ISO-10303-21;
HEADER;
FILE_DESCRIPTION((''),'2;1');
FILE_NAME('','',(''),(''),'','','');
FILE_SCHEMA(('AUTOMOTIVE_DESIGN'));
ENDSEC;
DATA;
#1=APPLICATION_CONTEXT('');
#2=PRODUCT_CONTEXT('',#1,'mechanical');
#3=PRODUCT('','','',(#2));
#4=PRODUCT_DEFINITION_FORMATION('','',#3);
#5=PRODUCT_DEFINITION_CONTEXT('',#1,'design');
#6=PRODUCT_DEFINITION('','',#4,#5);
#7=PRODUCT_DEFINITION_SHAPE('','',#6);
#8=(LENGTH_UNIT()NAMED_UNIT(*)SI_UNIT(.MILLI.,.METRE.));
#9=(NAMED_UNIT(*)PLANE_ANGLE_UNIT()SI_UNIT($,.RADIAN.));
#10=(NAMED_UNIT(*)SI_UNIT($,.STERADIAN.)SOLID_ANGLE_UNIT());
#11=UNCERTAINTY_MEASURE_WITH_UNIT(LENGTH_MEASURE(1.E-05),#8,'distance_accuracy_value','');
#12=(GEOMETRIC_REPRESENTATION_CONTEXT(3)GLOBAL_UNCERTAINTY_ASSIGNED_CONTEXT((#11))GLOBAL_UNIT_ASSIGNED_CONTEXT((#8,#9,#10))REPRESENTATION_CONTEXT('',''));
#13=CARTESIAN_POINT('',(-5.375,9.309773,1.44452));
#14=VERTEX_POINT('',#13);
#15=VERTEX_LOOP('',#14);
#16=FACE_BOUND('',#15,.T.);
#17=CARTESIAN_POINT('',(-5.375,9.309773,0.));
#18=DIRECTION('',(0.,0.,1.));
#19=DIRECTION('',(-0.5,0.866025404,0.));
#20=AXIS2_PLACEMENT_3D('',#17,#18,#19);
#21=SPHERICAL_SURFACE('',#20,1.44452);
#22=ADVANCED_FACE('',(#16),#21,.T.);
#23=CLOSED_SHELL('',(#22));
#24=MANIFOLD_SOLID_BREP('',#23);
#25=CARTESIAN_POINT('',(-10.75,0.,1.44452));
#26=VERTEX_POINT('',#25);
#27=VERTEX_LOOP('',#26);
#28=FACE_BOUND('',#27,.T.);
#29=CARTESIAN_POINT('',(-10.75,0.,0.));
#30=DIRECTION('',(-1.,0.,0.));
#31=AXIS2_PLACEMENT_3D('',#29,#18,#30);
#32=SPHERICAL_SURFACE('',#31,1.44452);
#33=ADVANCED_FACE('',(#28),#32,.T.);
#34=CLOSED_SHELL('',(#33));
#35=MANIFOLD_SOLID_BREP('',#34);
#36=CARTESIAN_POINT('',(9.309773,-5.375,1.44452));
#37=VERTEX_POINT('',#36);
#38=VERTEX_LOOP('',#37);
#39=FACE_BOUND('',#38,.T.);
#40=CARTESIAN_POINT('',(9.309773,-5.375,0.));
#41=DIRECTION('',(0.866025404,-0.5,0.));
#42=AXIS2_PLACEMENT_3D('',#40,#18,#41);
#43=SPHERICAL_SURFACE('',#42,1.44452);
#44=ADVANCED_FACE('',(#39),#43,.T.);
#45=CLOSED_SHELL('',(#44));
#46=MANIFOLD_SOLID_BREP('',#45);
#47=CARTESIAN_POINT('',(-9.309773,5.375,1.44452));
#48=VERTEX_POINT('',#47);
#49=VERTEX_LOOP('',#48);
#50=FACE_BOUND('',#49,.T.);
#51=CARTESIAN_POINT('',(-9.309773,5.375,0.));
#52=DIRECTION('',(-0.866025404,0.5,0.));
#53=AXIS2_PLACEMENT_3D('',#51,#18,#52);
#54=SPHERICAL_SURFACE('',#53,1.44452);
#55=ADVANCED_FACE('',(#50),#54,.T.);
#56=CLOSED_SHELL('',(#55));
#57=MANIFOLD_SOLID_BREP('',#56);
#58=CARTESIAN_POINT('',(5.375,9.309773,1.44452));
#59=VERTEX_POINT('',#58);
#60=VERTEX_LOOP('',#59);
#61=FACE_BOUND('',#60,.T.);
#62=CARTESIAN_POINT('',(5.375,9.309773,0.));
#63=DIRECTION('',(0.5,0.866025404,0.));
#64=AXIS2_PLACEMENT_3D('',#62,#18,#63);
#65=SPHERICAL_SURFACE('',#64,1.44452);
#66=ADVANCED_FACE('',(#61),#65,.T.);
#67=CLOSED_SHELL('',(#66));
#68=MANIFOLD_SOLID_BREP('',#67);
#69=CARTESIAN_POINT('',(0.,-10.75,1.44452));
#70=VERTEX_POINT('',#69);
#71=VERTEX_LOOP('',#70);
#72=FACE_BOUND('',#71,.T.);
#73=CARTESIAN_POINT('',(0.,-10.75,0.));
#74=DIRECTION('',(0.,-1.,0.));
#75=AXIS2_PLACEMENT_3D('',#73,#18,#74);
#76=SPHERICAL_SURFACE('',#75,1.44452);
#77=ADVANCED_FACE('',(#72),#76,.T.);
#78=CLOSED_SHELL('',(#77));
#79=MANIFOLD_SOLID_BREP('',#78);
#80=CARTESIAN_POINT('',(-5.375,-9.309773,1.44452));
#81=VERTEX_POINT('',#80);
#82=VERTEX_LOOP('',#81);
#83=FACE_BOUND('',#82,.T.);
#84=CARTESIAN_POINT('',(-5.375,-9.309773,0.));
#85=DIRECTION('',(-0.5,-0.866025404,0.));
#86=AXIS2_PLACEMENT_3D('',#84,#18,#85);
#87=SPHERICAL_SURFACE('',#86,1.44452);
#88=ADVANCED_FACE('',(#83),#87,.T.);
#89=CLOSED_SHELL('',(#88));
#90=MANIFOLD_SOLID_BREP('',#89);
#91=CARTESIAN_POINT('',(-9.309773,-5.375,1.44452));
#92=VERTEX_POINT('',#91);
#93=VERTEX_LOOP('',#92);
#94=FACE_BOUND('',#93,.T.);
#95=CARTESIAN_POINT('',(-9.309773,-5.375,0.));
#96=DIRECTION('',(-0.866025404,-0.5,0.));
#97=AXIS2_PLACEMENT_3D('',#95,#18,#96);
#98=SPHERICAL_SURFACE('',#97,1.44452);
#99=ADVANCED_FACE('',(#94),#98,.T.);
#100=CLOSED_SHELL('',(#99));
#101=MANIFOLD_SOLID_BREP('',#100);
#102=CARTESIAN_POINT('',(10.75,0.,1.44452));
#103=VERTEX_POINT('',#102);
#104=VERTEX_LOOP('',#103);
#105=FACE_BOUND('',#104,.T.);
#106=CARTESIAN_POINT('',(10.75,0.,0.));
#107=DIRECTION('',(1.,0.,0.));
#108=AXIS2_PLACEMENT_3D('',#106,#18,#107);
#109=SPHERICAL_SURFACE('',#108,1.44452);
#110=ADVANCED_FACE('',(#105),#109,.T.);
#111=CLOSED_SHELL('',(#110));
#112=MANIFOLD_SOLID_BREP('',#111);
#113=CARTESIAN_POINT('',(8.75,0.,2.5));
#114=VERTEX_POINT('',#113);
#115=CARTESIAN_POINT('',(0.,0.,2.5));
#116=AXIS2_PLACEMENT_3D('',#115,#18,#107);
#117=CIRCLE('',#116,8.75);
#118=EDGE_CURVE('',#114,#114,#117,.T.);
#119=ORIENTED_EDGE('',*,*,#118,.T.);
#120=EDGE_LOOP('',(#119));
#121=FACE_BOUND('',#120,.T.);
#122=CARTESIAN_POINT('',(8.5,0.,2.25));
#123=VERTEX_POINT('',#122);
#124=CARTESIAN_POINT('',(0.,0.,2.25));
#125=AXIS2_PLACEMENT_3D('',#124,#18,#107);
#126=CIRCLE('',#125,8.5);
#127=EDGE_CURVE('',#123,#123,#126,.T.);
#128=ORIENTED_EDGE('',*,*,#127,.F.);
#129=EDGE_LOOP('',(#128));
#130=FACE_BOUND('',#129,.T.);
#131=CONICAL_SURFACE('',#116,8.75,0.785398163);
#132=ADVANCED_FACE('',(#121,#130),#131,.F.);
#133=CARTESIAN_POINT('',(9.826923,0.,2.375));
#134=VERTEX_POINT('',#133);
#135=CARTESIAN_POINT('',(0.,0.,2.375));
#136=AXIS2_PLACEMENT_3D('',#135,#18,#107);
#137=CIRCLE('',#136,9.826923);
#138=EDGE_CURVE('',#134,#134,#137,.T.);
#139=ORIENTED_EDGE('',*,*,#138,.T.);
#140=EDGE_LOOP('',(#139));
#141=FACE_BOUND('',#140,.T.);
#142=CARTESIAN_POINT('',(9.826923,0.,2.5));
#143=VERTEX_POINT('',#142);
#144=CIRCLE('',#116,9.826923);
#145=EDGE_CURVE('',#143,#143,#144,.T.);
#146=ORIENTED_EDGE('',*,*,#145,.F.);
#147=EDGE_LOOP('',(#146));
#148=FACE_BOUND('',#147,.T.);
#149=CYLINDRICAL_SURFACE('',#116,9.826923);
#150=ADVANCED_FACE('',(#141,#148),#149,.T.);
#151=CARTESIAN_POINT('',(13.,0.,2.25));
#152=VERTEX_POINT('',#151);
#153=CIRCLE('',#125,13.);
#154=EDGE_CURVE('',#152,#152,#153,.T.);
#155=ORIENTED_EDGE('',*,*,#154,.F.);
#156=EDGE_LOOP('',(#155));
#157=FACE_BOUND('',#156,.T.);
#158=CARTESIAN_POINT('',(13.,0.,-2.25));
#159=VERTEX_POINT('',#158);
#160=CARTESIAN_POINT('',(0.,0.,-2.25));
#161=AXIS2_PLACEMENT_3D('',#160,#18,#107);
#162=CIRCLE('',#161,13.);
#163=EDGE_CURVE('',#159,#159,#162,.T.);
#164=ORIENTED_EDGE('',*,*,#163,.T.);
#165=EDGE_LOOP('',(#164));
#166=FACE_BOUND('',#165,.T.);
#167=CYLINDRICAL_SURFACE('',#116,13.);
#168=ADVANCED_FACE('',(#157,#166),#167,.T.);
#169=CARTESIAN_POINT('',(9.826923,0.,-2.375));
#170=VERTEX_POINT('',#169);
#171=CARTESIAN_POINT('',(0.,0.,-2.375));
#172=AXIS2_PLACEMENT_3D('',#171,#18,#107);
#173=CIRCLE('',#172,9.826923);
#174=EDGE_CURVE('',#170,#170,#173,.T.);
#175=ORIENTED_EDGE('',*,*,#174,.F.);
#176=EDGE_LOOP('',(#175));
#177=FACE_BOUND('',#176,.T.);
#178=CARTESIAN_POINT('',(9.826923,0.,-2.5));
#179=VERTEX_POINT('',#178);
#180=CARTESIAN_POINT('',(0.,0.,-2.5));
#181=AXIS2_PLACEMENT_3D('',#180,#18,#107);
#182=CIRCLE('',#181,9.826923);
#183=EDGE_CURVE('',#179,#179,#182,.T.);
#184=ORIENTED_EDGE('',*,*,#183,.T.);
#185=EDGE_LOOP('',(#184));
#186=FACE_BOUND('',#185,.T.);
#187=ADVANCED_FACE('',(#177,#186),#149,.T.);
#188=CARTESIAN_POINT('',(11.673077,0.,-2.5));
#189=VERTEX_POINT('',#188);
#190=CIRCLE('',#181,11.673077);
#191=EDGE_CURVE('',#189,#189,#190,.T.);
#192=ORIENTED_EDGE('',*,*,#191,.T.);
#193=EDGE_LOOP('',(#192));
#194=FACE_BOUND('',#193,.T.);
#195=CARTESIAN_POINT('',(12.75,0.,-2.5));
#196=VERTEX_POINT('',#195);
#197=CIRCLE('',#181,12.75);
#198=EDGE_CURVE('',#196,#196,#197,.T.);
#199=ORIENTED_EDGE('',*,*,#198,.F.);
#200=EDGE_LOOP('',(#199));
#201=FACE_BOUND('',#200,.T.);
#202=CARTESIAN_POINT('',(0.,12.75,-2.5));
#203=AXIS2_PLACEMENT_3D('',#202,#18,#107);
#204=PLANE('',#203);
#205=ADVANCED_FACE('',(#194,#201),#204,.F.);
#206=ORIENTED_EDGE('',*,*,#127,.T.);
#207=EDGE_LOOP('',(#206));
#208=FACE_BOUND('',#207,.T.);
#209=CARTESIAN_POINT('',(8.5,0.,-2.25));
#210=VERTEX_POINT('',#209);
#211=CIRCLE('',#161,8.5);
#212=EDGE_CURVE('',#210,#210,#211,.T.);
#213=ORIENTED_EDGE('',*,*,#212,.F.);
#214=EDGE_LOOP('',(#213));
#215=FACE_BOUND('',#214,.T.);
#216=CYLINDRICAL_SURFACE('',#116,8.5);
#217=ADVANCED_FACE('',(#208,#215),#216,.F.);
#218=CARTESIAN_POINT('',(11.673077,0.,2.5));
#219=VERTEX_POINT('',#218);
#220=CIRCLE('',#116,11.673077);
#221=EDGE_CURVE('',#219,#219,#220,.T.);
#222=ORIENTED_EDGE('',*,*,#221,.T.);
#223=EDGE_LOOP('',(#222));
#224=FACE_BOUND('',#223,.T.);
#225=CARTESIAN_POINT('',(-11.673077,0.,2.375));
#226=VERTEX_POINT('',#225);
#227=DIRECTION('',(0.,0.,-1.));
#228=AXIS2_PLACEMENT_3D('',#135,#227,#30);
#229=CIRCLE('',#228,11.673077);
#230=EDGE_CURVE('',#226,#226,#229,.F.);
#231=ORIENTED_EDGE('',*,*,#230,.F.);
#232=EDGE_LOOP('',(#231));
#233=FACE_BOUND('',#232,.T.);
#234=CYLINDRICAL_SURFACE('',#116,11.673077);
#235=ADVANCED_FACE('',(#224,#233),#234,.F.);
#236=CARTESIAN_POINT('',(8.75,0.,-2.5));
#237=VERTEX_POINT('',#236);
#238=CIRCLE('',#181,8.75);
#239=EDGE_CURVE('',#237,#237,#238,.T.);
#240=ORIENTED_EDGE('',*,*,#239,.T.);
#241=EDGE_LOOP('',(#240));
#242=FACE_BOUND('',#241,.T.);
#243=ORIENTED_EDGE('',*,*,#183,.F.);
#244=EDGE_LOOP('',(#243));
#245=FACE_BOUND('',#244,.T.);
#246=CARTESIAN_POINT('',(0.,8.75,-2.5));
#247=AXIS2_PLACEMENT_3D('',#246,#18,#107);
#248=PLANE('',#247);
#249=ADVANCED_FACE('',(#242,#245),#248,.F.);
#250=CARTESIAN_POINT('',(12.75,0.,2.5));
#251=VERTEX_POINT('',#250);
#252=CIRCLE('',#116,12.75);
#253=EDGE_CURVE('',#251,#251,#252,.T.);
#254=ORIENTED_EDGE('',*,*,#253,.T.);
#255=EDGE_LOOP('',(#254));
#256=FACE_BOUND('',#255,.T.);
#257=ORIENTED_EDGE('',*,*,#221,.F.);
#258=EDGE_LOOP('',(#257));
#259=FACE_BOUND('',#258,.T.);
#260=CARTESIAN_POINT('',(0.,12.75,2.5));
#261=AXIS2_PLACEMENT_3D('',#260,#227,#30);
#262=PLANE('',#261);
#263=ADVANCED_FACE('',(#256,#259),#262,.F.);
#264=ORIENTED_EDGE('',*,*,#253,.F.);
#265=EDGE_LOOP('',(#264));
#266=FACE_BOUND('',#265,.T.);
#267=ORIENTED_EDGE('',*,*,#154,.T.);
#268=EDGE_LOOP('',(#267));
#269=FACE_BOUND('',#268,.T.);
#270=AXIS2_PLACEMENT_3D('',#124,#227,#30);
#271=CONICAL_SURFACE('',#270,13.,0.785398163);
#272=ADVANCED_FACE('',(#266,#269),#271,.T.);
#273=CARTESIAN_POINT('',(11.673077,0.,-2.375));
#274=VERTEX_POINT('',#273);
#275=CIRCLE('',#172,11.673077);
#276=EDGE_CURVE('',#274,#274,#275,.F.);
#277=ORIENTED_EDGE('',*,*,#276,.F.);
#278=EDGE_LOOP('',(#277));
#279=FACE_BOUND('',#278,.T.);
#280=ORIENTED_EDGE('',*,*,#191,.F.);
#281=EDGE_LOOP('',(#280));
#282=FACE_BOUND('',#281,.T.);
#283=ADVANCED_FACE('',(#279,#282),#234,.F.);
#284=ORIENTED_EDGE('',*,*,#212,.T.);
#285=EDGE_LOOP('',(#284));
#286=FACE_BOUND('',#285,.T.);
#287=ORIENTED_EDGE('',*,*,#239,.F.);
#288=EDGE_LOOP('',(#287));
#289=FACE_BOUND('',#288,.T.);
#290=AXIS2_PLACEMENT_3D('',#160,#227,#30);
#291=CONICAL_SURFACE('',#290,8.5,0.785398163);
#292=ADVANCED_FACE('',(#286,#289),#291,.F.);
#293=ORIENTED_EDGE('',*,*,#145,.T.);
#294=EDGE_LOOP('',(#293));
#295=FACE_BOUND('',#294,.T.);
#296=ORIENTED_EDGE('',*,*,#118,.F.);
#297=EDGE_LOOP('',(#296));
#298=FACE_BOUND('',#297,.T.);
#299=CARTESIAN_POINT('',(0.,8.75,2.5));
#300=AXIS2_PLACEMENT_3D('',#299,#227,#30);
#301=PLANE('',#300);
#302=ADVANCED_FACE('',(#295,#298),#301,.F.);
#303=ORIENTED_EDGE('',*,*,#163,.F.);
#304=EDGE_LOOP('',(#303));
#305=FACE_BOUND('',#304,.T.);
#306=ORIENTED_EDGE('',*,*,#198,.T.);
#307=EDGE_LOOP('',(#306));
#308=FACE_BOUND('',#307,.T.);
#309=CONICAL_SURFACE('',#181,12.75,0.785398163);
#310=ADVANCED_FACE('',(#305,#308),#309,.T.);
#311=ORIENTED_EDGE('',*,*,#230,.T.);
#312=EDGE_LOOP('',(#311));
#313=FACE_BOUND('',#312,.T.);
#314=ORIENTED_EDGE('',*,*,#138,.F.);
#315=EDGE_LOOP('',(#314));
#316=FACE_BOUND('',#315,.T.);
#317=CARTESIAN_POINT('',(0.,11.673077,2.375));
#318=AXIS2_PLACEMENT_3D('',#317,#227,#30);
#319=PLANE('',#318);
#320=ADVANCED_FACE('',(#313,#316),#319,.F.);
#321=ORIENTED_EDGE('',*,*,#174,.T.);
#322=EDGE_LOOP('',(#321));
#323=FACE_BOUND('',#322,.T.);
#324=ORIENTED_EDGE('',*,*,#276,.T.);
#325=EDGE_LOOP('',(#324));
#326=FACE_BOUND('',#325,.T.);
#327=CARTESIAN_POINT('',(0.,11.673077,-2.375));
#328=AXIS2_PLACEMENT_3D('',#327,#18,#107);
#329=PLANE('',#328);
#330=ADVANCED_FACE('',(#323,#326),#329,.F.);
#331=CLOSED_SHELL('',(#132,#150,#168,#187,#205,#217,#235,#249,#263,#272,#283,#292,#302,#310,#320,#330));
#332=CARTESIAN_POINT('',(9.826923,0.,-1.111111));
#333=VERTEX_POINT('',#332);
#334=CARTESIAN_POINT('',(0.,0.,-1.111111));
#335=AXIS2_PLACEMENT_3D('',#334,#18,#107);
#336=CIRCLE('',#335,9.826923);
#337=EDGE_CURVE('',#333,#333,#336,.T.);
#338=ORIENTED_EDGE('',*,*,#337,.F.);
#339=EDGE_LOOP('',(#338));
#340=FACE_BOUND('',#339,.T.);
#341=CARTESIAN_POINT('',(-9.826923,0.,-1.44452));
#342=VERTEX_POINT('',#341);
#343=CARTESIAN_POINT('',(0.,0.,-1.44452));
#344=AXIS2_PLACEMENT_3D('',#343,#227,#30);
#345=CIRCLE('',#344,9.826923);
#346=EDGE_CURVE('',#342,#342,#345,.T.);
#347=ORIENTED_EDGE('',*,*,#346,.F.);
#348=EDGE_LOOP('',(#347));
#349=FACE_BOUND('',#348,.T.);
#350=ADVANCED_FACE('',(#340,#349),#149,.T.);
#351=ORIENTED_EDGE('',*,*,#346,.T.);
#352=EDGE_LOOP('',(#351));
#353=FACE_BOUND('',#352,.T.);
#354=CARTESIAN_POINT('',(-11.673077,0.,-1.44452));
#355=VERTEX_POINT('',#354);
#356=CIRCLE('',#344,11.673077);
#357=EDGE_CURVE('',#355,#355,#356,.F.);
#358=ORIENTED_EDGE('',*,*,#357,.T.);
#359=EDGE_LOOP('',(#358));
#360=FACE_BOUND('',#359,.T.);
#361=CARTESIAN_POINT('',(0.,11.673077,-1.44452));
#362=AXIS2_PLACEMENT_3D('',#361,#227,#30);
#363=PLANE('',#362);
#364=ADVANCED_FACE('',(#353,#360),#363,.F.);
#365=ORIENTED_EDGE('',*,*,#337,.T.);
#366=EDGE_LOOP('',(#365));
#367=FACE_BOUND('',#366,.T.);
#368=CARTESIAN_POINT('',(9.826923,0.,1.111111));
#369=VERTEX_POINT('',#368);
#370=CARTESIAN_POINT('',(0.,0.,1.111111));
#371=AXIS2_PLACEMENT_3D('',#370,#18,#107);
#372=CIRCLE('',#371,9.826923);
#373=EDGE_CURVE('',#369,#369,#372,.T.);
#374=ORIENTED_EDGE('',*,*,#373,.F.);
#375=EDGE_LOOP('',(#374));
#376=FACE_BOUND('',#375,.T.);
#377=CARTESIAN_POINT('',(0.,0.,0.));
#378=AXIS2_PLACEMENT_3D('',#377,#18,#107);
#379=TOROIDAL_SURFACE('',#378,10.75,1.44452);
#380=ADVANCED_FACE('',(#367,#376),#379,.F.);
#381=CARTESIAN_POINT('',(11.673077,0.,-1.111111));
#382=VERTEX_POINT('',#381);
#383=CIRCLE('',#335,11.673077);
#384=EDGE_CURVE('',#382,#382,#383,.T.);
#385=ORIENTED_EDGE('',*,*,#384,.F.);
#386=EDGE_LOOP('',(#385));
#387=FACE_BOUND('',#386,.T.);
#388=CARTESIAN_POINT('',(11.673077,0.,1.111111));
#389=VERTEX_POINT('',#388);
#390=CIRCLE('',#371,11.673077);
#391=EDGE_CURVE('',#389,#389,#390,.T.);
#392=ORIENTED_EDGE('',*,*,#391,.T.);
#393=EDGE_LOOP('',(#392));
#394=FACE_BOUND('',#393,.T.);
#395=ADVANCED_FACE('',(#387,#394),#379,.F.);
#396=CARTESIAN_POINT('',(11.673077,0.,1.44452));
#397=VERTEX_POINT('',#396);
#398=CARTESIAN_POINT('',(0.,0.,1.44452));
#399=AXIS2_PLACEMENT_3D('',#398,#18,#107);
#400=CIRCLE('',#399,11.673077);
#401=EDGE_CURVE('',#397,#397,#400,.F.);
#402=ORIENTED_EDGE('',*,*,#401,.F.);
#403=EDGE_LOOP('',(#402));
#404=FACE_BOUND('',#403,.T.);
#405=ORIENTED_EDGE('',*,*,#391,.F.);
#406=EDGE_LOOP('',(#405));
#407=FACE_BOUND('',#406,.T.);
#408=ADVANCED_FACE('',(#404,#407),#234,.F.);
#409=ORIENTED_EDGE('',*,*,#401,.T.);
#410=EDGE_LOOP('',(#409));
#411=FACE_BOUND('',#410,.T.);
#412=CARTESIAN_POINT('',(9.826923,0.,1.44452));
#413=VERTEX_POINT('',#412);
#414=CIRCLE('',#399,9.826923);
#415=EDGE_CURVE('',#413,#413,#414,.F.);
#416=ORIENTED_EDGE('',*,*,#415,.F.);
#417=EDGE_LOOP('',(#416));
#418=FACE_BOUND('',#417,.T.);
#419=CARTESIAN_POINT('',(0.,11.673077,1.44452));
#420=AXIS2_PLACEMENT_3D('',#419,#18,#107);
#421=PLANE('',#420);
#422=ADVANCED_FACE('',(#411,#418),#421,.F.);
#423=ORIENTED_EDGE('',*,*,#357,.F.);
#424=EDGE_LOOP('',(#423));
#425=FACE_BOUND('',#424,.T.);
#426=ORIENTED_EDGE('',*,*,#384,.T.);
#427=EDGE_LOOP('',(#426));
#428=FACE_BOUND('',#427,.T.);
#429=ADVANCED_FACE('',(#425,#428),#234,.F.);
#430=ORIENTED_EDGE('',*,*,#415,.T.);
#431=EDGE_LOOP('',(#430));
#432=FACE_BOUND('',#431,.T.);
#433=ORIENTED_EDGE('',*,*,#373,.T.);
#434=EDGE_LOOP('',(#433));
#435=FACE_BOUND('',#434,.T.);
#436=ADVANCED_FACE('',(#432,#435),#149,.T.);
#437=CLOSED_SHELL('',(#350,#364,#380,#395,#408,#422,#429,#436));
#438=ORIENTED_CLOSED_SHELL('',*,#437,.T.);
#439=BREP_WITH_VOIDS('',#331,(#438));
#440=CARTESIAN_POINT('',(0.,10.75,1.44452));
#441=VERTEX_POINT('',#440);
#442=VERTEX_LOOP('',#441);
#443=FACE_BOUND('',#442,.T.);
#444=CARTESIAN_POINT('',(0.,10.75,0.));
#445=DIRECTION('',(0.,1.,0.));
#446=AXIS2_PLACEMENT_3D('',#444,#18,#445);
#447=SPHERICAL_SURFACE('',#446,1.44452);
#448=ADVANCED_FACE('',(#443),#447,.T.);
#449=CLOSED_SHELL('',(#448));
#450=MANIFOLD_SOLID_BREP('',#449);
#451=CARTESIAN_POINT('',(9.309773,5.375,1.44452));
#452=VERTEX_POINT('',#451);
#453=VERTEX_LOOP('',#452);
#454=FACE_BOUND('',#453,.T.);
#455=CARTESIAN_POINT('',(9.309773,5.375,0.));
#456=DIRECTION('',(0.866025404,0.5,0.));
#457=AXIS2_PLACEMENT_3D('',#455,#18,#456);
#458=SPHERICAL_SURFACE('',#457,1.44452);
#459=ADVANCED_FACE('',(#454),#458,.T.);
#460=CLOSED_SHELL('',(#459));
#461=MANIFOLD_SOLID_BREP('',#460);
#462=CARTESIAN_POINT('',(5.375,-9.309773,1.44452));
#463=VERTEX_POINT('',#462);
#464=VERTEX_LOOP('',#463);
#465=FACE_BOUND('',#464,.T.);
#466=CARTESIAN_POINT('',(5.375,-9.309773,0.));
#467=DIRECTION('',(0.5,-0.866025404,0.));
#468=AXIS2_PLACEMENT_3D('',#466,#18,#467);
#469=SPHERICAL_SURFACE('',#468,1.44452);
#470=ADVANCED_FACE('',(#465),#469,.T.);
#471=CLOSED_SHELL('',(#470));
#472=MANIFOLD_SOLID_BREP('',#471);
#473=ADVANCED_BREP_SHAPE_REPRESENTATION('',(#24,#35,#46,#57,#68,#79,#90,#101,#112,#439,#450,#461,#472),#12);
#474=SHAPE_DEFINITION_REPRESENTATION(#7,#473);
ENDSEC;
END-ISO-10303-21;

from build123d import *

# Parameters (mm, degrees)
CIRPATTERN1_COUNT = 12


with BuildPart() as part:
    # Sketch6 → Revolve1 (revolve)
    with BuildSketch(Plane(origin=(0, 0, 0), x_dir=(0, 0, -1), z_dir=(1, 0, 0))):
        with BuildLine():
            Line((-2.5000000000000004, 12.749999999999984), (-2.5000000000000004, 11.673076923076925))
            Line((-2.5000000000000004, 11.673076923076925), (-1.1111111111111114, 11.673076923076925))
            ThreePointArc((-1.1111111111111114, 11.673076923076925), (9e-17, 12.194520303475079), (1.1111111111111114, 11.673076923076925))
            Line((1.1111111111111114, 11.673076923076925), (2.5000000000000004, 11.673076923076925))
            Line((2.5000000000000004, 11.673076923076925), (2.5000000000000004, 12.749999999999991))
            Line((2.5000000000000004, 12.749999999999991), (2.2499999999999987, 12.999999999999998))
            Line((2.2499999999999987, 12.999999999999998), (-2.2499999999999987, 12.999999999999977))
            Line((-2.2499999999999987, 12.999999999999977), (-2.5000000000000004, 12.749999999999984))
        make_face()
        with BuildLine():
            Line((-2.5000000000000004, 8.750000000000014), (-2.5000000000000004, 9.82692307692308))
            Line((-2.5000000000000004, 9.82692307692308), (-1.1111111111111118, 9.82692307692308))
            ThreePointArc((-1.1111111111111118, 9.82692307692308), (-2.3e-16, 9.305479696524925), (1.111111111111111, 9.82692307692308))
            Line((1.111111111111111, 9.82692307692308), (2.5000000000000004, 9.82692307692308))
            Line((2.5000000000000004, 9.82692307692308), (2.5000000000000004, 8.750000000000014))
            Line((2.5000000000000004, 8.750000000000014), (2.2500000000000004, 8.500000000000007))
            Line((2.2500000000000004, 8.500000000000007), (-2.2500000000000004, 8.500000000000007))
            Line((-2.2500000000000004, 8.500000000000007), (-2.5000000000000004, 8.750000000000014))
        make_face()
    revolve(axis=Axis((0, 0, 2.5000000000000004), (0, 0, -1)))



with BuildPart() as body_2:
    # Sketch4 → Revolve2 (revolve)
    with BuildSketch(Plane(origin=(0, 0, 0), x_dir=(0, 0, -1), z_dir=(1, 0, 0))):
        with BuildLine():
            Line((-1.4445203034750762, 10.750000000000002), (1.4445203034750762, 10.750000000000002))
            ThreePointArc((1.4445203034750762, 10.750000000000002), (9e-17, 12.194520303475079), (-1.4445203034750762, 10.750000000000002))
        make_face()
    revolve(axis=Axis((0, 10.750000000000002, 1.4445203034750762), (0, 0, -1)))


with BuildPart() as cirpattern1_1:
    # CirPattern1: pattern copy
    add(body_2.part.rotate(Axis((0, 0, -2.5000000000000004), (0, 0, 1)), 1 * 360 / CIRPATTERN1_COUNT))


with BuildPart() as cirpattern1_2:
    # CirPattern1: pattern copy
    add(body_2.part.rotate(Axis((0, 0, -2.5000000000000004), (0, 0, 1)), 2 * 360 / CIRPATTERN1_COUNT))


with BuildPart() as cirpattern1_3:
    # CirPattern1: pattern copy
    add(body_2.part.rotate(Axis((0, 0, -2.5000000000000004), (0, 0, 1)), 3 * 360 / CIRPATTERN1_COUNT))


with BuildPart() as cirpattern1_4:
    # CirPattern1: pattern copy
    add(body_2.part.rotate(Axis((0, 0, -2.5000000000000004), (0, 0, 1)), 4 * 360 / CIRPATTERN1_COUNT))


with BuildPart() as cirpattern1_5:
    # CirPattern1: pattern copy
    add(body_2.part.rotate(Axis((0, 0, -2.5000000000000004), (0, 0, 1)), 5 * 360 / CIRPATTERN1_COUNT))


with BuildPart() as cirpattern1_6:
    # CirPattern1: pattern copy
    add(body_2.part.rotate(Axis((0, 0, -2.5000000000000004), (0, 0, 1)), 6 * 360 / CIRPATTERN1_COUNT))


with BuildPart() as cirpattern1_7:
    # CirPattern1: pattern copy
    add(body_2.part.rotate(Axis((0, 0, -2.5000000000000004), (0, 0, 1)), 7 * 360 / CIRPATTERN1_COUNT))


with BuildPart() as cirpattern1_8:
    # CirPattern1: pattern copy
    add(body_2.part.rotate(Axis((0, 0, -2.5000000000000004), (0, 0, 1)), 8 * 360 / CIRPATTERN1_COUNT))


with BuildPart() as cirpattern1_9:
    # CirPattern1: pattern copy
    add(body_2.part.rotate(Axis((0, 0, -2.5000000000000004), (0, 0, 1)), 9 * 360 / CIRPATTERN1_COUNT))


with BuildPart() as cirpattern1_10:
    # CirPattern1: pattern copy
    add(body_2.part.rotate(Axis((0, 0, -2.5000000000000004), (0, 0, 1)), 10 * 360 / CIRPATTERN1_COUNT))


with BuildPart() as cirpattern1_11:
    # CirPattern1: pattern copy
    add(body_2.part.rotate(Axis((0, 0, -2.5000000000000004), (0, 0, 1)), 11 * 360 / CIRPATTERN1_COUNT))


with BuildPart() as part_1:
    add(part.part)

    add(body_2.part)  # Revolve3 merges body 2

    add(cirpattern1_1.part)  # Revolve3 merges CirPattern1_1

    add(cirpattern1_2.part)  # Revolve3 merges CirPattern1_2

    add(cirpattern1_3.part)  # Revolve3 merges CirPattern1_3

    add(cirpattern1_4.part)  # Revolve3 merges CirPattern1_4

    add(cirpattern1_5.part)  # Revolve3 merges CirPattern1_5

    add(cirpattern1_6.part)  # Revolve3 merges CirPattern1_6

    add(cirpattern1_7.part)  # Revolve3 merges CirPattern1_7

    add(cirpattern1_8.part)  # Revolve3 merges CirPattern1_8

    add(cirpattern1_9.part)  # Revolve3 merges CirPattern1_9

    add(cirpattern1_10.part)  # Revolve3 merges CirPattern1_10

    add(cirpattern1_11.part)  # Revolve3 merges CirPattern1_11
    # Sketch5 → Revolve3 (revolve)
    with BuildSketch(Plane(origin=(0, 0, 0), x_dir=(0, 0, -1), z_dir=(1, 0, 0))):
        Polygon((-2.3749999999999987, 11.673076923076925), (-1.4445203034750762, 11.673076923076925), (-1.4445203034750753, 9.82692307692308), (-2.3749999999999987, 9.82692307692308), align=None)
        Polygon((2.3749999999999987, 11.673076923076925), (1.4445203034750762, 11.673076923076925), (1.444520303475077, 9.82692307692308), (2.3749999999999987, 9.82692307692308), align=None)
    revolve(axis=Axis((0, 0, 2.5000000000000004), (0, 0, -1)))


solid = part_1.part
